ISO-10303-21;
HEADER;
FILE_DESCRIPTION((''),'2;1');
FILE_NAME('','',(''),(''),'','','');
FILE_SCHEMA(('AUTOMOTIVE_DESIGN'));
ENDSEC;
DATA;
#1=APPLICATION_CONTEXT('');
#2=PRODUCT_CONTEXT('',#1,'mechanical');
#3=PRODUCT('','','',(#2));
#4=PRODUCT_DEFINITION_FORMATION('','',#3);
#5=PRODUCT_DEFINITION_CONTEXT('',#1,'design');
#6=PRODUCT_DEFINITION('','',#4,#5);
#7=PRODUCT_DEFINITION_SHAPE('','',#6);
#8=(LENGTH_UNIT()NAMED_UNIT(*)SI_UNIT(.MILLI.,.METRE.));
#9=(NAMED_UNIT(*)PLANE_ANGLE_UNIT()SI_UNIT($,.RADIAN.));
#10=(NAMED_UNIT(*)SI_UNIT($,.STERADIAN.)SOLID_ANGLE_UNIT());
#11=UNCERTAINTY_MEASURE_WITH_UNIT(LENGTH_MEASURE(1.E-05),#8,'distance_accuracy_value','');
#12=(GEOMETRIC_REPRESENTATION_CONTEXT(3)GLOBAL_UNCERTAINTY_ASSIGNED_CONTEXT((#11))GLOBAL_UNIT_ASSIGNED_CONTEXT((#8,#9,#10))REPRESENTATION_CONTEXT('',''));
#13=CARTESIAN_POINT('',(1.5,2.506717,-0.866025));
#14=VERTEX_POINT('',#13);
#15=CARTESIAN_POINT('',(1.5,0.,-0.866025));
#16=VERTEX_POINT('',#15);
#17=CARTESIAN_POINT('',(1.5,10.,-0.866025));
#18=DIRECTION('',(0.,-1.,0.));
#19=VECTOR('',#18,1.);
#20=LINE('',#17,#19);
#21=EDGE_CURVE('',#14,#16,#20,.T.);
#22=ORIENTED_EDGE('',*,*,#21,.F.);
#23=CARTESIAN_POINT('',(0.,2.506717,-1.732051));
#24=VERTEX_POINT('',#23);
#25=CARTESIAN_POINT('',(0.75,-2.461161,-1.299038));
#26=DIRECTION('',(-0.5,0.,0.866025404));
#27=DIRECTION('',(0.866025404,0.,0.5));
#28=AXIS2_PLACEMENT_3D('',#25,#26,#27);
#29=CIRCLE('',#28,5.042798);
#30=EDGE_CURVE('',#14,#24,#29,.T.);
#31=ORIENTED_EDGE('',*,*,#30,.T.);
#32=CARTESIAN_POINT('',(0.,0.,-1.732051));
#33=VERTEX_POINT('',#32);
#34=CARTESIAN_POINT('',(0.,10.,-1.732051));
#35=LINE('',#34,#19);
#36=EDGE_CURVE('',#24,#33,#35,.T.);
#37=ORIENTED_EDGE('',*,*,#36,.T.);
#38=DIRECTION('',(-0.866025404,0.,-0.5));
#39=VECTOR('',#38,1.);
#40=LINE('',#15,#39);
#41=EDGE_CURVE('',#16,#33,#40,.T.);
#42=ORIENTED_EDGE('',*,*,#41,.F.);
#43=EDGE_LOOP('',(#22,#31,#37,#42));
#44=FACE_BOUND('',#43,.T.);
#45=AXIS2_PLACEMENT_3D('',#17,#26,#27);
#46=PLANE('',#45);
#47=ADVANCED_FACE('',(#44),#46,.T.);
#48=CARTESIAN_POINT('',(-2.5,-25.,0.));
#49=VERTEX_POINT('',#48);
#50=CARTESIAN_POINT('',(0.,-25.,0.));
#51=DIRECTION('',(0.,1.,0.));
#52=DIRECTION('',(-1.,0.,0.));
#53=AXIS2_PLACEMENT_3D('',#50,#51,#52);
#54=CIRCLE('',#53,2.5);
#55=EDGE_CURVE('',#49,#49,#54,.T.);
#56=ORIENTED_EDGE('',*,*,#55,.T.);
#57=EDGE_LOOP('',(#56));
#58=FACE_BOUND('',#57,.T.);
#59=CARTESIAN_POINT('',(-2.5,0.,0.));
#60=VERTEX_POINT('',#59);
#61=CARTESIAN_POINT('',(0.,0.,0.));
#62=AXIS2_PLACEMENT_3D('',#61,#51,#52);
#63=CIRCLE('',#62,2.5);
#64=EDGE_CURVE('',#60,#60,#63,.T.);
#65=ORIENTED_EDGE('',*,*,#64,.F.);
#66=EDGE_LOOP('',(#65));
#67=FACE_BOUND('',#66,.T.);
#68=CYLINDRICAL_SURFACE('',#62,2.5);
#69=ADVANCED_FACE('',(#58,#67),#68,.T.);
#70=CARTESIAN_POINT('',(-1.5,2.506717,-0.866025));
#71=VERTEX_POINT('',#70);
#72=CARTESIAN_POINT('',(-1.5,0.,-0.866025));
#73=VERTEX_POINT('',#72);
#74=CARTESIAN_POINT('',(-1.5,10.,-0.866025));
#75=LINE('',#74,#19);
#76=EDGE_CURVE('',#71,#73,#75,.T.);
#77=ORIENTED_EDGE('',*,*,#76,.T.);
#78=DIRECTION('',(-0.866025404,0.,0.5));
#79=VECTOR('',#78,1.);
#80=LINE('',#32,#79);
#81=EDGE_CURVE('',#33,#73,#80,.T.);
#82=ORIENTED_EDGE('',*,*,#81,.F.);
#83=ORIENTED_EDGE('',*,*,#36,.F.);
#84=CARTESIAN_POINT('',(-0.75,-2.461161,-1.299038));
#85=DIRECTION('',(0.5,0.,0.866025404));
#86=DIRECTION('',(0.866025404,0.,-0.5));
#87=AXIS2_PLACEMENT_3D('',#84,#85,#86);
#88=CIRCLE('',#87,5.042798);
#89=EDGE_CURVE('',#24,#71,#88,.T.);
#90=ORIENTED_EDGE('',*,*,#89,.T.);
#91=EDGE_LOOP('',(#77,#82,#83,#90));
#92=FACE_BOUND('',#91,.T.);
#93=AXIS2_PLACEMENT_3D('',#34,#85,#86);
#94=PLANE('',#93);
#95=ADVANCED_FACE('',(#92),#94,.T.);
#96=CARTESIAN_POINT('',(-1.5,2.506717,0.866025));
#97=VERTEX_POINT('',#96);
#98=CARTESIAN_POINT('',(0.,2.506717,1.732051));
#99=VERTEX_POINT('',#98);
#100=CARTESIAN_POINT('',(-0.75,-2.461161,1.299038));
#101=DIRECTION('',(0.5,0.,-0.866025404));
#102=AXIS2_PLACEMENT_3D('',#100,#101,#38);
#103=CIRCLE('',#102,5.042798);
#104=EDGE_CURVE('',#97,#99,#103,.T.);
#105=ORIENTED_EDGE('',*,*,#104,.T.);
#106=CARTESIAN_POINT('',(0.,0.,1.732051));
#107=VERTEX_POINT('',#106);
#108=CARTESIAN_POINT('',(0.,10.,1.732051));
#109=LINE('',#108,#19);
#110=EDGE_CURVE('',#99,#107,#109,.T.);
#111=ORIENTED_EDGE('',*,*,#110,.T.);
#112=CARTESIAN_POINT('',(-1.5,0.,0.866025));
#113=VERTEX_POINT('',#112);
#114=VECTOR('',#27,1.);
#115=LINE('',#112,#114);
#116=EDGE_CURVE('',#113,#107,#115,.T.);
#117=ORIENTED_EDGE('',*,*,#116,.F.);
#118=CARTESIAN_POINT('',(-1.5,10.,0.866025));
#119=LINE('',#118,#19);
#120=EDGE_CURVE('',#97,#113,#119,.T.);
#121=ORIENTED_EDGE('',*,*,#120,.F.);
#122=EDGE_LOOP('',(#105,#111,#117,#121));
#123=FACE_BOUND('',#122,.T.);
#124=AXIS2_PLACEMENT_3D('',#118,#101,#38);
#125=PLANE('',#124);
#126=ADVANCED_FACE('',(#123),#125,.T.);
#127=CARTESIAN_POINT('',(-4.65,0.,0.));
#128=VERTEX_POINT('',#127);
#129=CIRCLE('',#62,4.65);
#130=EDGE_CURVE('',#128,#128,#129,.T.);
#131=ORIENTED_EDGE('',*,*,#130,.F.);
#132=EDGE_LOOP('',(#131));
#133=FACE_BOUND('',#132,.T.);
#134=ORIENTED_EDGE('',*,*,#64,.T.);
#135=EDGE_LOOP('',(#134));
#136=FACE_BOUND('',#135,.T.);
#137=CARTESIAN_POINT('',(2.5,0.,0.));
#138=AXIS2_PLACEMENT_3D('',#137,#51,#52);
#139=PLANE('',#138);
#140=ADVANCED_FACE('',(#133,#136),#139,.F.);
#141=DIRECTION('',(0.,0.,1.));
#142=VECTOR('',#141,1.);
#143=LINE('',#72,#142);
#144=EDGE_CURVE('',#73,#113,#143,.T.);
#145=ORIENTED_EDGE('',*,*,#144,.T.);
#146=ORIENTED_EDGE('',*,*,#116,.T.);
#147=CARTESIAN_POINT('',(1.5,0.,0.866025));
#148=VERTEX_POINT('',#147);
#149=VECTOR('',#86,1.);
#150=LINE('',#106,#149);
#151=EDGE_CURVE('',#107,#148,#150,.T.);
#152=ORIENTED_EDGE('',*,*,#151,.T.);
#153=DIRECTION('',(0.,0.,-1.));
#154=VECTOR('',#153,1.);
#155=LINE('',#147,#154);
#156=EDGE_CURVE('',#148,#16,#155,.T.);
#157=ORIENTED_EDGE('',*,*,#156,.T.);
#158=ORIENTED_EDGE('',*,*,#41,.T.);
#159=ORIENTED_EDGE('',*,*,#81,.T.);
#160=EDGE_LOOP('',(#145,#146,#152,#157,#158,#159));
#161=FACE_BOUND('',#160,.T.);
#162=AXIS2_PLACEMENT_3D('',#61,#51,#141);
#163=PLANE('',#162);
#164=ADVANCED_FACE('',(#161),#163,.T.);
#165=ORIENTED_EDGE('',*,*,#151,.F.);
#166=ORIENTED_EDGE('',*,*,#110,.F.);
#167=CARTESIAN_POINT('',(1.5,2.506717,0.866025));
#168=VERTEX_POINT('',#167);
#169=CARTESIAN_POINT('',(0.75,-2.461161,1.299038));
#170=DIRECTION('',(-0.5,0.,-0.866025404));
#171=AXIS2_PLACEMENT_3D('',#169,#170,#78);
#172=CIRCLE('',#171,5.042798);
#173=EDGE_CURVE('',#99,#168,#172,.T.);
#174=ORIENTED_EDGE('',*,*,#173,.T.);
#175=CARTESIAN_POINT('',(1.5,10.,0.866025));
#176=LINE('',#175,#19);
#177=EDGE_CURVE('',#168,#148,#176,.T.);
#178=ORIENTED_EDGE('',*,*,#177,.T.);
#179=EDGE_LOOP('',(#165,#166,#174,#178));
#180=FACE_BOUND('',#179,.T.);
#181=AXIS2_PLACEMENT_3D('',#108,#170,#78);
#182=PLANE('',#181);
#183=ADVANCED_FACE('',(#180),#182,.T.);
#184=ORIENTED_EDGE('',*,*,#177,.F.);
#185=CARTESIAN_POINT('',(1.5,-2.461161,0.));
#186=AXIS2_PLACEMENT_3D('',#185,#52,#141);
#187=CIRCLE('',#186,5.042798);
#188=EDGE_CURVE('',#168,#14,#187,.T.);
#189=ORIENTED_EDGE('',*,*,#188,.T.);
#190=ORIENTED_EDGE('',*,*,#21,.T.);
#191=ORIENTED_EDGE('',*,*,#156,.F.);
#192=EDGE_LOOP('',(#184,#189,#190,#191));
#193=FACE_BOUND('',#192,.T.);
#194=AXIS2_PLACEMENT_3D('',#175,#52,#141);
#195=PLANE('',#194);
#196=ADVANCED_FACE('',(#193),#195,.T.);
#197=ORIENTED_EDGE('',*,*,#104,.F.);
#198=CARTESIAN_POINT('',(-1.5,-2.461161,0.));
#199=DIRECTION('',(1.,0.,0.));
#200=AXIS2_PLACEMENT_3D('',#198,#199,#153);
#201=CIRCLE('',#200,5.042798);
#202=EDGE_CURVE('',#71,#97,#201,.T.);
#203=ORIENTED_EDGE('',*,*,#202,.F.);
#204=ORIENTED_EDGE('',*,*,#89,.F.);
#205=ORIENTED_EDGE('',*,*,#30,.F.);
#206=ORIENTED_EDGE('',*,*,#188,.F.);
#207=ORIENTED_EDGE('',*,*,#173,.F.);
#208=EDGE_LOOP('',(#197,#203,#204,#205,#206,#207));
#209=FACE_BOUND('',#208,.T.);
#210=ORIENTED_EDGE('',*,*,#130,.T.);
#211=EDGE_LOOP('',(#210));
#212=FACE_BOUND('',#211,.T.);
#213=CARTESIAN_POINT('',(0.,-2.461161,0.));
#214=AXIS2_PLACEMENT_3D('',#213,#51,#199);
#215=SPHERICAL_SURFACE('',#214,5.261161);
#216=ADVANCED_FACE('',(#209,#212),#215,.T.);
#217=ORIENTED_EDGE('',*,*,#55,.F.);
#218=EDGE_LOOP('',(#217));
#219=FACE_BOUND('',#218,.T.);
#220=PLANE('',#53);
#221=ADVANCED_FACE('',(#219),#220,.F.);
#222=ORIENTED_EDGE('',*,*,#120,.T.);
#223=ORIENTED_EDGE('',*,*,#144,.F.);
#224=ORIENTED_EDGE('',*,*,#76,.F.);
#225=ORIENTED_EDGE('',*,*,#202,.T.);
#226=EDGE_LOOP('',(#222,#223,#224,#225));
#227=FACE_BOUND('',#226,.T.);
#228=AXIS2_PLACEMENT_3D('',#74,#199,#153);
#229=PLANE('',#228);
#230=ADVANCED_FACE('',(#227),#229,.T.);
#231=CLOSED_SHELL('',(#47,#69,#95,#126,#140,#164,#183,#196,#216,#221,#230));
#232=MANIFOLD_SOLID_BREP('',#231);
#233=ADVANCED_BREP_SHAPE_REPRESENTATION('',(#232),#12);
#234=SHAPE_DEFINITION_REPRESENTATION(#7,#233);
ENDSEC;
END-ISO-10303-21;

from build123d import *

# Parameters (mm, degrees)
CUT_EXTRUDE1_DEPTH = 10


with BuildPart() as part:
    # Sketch1 → Revolve1 (revolve)
    with BuildSketch(Plane.XY):
        with BuildLine():
            Line((0, 0), (0, -25))
            Line((0, -25), (2.5, -25))
            Line((2.5, -25), (2.5, 0))
            Line((2.5, 0), (4.65, 0))
            ThreePointArc((4.65, 0), (2.713968497, 2.045965539), (0, 2.8))
            Line((0, 2.8), (0, 0))
        make_face()
    revolve(axis=Axis((0, 0, 0), (0, -1, 0)))

    # Sketch2 → Cut-Extrude1 (cut)
    with BuildSketch(Plane(origin=(0, 0, 0), x_dir=(1, 0, 0), z_dir=(0, 1, 0))):
        Polygon((0, 1.732050808), (-1.5, 0.866025404), (-1.5, -0.866025404), (0, -1.732050808), (1.5, -0.866025404), (1.5, 0.866025404), align=None)
    extrude(amount=CUT_EXTRUDE1_DEPTH, mode=Mode.SUBTRACT)


solid = part.part
